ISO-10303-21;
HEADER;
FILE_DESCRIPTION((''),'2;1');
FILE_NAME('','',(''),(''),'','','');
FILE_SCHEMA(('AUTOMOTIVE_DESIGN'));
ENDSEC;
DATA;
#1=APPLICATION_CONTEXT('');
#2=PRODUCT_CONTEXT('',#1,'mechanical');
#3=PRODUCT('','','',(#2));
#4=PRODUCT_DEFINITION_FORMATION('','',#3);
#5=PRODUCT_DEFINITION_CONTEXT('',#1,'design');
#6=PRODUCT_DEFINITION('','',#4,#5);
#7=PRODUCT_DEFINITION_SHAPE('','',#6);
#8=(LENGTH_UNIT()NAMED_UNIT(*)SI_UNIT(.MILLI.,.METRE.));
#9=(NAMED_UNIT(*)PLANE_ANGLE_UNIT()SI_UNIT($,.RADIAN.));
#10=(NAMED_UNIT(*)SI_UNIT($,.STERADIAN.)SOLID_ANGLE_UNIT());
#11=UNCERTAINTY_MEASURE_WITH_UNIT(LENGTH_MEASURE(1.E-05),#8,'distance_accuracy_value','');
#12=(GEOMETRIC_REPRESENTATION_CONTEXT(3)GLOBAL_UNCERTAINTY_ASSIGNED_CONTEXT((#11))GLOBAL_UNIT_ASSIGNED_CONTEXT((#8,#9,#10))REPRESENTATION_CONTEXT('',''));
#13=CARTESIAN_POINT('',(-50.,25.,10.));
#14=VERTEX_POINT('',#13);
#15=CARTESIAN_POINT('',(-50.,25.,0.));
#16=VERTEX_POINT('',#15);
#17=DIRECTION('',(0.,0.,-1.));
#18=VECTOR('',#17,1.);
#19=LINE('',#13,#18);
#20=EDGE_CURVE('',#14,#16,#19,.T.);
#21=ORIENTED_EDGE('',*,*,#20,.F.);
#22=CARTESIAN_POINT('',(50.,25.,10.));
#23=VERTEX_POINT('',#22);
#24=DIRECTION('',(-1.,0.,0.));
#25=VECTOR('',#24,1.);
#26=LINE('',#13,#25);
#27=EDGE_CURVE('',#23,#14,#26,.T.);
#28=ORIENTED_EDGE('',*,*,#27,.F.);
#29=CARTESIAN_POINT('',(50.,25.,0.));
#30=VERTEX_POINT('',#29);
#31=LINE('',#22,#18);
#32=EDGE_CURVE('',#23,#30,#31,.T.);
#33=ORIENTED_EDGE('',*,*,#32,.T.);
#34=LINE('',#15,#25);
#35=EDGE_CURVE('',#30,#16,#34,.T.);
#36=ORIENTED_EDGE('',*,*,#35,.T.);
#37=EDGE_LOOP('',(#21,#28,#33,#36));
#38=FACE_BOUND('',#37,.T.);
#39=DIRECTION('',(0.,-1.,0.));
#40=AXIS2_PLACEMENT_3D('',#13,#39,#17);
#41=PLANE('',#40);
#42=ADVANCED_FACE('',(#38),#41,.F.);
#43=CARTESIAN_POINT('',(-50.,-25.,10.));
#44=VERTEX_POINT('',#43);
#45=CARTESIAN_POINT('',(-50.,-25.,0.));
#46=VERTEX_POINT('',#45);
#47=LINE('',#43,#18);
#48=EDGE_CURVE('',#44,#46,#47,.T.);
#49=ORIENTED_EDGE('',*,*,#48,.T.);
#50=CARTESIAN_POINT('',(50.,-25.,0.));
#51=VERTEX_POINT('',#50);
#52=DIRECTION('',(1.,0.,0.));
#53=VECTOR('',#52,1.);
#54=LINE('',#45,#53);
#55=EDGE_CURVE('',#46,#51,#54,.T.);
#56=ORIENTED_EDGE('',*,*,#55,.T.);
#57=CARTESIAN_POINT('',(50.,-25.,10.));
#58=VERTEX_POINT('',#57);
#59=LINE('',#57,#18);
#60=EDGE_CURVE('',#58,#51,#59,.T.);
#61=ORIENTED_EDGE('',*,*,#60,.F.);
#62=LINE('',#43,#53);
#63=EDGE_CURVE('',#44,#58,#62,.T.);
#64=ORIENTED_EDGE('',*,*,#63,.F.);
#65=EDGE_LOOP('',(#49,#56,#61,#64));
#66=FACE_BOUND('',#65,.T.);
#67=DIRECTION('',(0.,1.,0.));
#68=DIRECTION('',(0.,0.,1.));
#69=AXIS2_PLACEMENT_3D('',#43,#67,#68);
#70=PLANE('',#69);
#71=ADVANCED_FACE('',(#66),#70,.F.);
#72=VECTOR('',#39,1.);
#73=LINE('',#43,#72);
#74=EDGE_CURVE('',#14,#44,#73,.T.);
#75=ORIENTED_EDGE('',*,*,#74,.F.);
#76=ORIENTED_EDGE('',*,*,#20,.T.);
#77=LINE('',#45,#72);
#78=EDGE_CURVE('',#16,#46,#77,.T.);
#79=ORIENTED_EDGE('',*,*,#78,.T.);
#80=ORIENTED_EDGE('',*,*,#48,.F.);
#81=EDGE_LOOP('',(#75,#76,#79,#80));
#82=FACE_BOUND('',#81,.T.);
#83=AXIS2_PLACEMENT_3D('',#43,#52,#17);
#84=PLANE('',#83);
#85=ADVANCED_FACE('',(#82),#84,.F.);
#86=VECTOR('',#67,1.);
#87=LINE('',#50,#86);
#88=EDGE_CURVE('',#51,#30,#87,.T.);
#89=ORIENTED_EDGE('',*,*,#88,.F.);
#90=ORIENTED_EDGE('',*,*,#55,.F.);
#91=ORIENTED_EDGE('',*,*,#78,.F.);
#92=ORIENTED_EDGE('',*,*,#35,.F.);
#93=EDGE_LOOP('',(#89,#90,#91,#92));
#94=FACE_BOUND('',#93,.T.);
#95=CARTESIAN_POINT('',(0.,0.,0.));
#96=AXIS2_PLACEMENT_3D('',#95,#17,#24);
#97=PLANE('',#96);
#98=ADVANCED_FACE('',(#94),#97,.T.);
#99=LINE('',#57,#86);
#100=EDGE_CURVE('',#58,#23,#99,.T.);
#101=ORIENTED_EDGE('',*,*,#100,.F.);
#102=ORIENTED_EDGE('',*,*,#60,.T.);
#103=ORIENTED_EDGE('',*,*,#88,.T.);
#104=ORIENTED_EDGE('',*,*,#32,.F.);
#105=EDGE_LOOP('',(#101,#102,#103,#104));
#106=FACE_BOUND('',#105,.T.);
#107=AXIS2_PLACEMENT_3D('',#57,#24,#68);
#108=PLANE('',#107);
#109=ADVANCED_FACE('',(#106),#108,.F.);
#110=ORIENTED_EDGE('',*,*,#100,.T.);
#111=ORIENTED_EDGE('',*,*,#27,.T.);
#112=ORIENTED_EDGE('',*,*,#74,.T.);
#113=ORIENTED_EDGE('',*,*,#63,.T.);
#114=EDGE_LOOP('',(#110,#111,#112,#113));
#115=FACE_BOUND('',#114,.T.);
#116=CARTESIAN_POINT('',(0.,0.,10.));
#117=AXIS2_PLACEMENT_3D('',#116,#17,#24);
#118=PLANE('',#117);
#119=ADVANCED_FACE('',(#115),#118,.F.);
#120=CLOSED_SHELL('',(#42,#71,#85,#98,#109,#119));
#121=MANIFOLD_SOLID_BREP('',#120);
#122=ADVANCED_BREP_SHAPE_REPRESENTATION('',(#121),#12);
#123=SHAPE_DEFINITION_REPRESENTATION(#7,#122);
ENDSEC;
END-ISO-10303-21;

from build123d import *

# Parameters (mm, degrees)
ESQUISSE1_W        = 100
ESQUISSE1_H        = 50
BOSS_EXTRU_1_DEPTH = 10


with BuildPart() as part:
    # Esquisse1 → Boss.-Extru.1 (new body)
    with BuildSketch(Plane.XY):
        Rectangle(ESQUISSE1_W, ESQUISSE1_H)
    extrude(amount=BOSS_EXTRU_1_DEPTH)


solid = part.part
